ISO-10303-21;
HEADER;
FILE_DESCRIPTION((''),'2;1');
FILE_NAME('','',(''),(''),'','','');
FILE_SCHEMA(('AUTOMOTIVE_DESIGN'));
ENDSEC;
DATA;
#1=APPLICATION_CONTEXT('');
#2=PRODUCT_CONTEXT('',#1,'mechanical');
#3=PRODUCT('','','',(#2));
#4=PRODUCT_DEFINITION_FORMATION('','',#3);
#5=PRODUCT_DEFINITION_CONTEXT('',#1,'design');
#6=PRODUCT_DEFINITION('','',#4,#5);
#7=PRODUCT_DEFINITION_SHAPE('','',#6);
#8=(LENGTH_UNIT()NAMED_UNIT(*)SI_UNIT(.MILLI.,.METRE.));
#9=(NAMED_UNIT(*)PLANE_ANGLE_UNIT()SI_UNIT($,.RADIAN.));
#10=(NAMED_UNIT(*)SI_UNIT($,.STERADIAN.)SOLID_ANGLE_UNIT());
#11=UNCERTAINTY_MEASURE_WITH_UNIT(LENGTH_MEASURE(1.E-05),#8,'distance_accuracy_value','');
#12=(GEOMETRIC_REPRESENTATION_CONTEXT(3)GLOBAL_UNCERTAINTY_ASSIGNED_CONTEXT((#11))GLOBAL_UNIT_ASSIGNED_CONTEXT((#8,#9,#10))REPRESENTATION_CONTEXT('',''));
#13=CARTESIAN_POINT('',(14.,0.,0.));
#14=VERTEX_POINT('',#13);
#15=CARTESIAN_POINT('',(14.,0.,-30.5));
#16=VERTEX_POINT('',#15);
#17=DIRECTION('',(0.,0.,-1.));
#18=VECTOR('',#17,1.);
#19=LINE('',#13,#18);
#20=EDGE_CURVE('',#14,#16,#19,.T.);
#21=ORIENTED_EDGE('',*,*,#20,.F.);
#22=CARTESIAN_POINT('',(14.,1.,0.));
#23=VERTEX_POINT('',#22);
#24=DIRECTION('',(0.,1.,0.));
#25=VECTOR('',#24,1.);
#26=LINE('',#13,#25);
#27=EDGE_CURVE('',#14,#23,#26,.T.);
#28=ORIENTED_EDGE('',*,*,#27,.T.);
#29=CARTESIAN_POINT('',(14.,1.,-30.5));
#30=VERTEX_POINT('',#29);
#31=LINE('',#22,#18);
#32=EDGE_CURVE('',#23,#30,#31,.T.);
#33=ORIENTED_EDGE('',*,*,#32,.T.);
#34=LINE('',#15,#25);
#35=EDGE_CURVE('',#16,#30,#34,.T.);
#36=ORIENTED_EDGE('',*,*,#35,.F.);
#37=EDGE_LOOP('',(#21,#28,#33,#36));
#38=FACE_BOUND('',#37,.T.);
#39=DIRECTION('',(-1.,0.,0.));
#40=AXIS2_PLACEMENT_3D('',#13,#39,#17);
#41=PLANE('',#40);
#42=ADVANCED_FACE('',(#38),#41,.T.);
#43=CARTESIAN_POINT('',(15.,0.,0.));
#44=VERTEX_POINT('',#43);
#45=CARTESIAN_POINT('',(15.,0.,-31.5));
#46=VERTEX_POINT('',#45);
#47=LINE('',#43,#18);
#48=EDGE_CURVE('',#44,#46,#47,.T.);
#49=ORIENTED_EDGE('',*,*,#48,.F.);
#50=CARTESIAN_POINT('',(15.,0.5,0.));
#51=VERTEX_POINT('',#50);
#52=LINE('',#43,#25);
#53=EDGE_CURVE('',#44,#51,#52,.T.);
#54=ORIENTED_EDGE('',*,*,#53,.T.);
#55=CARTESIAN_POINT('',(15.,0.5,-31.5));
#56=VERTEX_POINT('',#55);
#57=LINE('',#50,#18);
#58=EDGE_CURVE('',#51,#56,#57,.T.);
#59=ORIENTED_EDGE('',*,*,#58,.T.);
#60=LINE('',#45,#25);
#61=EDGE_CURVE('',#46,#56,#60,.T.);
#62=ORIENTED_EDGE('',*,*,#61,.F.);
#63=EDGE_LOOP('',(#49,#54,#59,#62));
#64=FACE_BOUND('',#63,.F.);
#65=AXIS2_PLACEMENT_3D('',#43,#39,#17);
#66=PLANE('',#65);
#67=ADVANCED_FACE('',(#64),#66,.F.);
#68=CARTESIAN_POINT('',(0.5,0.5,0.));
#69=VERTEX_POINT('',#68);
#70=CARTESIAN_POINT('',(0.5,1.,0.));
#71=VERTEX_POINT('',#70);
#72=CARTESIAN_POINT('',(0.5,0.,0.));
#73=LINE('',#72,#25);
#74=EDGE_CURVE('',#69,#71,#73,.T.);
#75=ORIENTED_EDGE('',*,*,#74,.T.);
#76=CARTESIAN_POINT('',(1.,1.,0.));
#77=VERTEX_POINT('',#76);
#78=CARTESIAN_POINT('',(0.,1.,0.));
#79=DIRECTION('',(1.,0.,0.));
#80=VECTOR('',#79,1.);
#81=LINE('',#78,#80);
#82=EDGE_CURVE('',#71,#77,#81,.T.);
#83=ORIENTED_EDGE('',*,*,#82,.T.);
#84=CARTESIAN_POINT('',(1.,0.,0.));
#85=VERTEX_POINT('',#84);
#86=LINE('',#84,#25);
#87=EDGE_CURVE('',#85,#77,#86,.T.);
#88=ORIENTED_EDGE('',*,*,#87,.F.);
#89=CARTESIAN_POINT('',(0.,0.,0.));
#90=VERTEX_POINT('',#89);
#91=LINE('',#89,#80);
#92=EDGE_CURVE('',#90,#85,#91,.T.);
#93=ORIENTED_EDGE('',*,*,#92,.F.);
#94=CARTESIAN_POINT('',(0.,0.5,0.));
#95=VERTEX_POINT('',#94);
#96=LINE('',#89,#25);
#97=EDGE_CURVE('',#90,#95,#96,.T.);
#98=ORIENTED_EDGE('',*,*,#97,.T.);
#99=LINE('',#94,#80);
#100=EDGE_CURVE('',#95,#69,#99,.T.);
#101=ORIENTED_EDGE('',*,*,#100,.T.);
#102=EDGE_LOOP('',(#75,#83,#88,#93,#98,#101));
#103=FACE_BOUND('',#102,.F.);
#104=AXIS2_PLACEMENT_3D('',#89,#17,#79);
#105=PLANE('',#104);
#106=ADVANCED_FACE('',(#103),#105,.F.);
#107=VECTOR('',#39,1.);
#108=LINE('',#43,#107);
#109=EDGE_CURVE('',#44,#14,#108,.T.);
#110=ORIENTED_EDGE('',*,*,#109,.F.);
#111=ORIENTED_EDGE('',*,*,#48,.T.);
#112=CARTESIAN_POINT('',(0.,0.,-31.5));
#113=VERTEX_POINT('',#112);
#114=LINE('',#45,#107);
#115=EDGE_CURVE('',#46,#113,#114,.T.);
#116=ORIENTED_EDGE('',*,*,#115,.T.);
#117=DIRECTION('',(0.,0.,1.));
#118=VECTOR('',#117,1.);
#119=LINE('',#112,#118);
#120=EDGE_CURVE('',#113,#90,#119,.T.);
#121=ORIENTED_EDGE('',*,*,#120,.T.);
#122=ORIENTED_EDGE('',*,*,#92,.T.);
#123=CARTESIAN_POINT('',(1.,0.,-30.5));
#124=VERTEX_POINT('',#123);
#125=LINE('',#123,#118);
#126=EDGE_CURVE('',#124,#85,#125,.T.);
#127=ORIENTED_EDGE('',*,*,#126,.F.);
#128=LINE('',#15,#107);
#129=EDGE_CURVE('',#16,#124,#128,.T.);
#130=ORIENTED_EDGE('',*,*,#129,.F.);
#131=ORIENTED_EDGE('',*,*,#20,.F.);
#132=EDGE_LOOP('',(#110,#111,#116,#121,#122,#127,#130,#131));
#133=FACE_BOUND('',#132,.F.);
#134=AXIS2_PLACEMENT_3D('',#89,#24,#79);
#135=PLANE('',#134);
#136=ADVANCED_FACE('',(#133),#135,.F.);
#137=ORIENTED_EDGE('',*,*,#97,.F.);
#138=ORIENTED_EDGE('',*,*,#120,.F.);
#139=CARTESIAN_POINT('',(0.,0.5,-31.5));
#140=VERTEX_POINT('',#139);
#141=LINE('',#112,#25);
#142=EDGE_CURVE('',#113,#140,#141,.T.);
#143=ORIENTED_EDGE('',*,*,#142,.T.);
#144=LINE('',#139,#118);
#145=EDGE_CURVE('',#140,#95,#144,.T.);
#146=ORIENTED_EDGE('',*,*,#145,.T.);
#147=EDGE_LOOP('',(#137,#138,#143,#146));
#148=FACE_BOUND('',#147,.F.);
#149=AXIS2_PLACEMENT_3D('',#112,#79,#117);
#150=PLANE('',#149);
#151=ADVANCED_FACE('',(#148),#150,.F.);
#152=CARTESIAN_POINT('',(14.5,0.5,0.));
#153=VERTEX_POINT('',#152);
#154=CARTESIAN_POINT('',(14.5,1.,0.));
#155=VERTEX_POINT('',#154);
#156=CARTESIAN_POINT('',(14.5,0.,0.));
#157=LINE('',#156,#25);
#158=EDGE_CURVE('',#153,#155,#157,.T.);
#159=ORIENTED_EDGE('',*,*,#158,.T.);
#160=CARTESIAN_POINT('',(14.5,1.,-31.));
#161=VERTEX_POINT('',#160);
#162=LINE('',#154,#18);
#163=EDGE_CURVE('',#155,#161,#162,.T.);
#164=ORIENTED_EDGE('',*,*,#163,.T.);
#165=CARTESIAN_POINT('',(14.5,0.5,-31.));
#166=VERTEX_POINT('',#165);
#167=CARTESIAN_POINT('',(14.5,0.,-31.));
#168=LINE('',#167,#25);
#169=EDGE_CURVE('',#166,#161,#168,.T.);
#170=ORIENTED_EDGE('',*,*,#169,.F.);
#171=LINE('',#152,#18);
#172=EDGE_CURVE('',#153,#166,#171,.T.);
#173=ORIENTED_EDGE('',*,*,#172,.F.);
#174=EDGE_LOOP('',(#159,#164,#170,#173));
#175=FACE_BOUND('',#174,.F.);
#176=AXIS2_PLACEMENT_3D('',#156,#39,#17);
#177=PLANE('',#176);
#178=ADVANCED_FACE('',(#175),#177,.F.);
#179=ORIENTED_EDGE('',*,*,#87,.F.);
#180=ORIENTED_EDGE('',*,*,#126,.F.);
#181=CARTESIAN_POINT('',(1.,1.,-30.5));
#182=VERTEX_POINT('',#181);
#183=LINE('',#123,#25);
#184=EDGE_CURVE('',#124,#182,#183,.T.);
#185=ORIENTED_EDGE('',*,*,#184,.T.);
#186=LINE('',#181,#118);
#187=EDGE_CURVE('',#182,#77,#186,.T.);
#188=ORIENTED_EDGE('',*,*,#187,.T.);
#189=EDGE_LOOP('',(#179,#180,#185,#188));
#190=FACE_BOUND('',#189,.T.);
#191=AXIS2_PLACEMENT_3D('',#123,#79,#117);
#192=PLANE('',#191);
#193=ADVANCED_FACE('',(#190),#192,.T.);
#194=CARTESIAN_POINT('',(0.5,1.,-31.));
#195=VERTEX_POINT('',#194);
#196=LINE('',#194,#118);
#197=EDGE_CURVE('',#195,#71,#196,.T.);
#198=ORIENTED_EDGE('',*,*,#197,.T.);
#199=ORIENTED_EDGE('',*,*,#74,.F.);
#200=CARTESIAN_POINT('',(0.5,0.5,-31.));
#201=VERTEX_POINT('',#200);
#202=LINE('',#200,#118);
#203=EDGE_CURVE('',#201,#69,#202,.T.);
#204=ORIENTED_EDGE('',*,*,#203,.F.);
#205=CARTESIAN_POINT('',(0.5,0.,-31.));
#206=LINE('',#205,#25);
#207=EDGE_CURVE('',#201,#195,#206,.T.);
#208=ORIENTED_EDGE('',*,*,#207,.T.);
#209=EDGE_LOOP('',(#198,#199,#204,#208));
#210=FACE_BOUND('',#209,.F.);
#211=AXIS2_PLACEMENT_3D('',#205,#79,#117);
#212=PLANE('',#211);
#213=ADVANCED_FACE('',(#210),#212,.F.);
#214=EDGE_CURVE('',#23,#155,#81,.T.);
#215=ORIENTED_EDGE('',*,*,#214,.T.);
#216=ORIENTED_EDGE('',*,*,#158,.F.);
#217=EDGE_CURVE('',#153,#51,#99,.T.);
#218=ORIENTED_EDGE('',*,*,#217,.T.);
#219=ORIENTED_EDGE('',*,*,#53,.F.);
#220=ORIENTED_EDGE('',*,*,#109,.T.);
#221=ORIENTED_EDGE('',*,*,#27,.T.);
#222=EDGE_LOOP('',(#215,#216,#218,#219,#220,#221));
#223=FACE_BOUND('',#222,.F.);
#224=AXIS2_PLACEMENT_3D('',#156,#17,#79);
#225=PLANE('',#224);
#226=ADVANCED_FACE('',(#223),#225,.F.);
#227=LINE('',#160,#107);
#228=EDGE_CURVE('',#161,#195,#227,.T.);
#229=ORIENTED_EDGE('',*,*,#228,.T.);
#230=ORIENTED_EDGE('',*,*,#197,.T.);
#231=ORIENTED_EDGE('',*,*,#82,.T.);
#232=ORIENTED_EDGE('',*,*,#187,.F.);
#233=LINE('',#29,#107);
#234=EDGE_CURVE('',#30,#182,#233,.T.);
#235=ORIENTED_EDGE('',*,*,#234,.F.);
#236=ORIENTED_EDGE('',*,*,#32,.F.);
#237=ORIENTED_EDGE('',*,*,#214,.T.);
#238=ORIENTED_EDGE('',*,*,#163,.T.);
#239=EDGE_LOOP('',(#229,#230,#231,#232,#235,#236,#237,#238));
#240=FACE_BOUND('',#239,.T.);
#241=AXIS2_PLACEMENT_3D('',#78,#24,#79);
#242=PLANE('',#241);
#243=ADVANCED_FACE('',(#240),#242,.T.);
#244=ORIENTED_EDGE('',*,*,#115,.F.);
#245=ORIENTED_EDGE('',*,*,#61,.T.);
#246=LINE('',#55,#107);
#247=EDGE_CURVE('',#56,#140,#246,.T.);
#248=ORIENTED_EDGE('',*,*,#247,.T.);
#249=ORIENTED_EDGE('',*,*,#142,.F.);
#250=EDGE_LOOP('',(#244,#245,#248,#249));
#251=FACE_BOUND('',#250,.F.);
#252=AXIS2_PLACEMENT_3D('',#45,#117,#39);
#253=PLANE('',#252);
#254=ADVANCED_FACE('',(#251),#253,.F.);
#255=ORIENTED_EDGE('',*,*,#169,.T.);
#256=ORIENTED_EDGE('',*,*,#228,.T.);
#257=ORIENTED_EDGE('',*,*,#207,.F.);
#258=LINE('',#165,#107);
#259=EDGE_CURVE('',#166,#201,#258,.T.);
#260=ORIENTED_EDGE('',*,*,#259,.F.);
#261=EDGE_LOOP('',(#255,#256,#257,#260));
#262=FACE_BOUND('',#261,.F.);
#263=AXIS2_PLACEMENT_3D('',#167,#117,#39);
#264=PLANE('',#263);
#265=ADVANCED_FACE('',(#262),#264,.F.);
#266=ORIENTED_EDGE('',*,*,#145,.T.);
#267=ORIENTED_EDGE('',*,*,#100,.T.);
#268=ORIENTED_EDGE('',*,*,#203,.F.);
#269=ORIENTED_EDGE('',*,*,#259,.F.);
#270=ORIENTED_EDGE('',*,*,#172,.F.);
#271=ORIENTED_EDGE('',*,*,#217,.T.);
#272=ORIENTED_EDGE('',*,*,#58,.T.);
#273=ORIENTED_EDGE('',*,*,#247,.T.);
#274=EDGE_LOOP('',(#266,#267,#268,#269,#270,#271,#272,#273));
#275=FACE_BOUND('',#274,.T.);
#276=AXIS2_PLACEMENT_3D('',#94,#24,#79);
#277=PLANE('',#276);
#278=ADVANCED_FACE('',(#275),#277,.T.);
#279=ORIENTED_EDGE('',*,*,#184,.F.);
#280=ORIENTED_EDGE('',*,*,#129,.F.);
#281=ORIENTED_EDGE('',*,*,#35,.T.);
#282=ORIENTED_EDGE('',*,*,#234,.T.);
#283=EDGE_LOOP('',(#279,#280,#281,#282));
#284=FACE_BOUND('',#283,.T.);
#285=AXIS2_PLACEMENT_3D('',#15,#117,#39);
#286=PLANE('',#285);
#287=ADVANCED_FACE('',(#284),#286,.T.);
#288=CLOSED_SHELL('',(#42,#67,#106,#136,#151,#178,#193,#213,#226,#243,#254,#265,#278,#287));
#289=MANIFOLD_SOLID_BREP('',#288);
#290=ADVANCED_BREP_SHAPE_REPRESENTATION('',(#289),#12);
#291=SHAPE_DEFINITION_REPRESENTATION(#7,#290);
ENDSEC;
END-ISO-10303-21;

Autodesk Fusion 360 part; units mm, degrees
sketch "Sketch1" plane through (0, 0, 0) normal (0, 1, 0) x (1, 0, 0)
  line L0 (0, 0) -> (15, 0)
  line L1 (15, 0) -> (15, 31.5)
  line L2 (15, 31.5) -> (0, 31.5)
  line L3 (0, 31.5) -> (0, 0)
  line L4 (1, 0) -> (14, 0)
  line L5 (14, 0) -> (14, 30.5)
  line L6 (14, 30.5) -> (1, 30.5)
  line L7 (1, 30.5) -> (1, 0)
  line L8 (0.5, 0) -> (14.5, 0)
  line L9 (14.5, 0) -> (14.5, 31)
  line L10 (14.5, 31) -> (0.5, 31)
  line L11 (0.5, 31) -> (0.5, 0)
  dimension "d1" = 15
  dimension "d2" = 31.5
  dimension "d3" = 13
  dimension "d4" = 30.5
  dimension "d5" = 1
  dimension "d6" = 14
  dimension "d7" = 31
  dimension "d8" = 0.5
extrude "Extrude1" add sketch "Sketch1" along normal blind 0.5 contours L0 L1 L2 L3 L9 L10 L11
extrude "Extrude2" add sketch "Sketch1" along normal blind 1 contours L0 L5 L6 L7 L8 L9 L10 L11
